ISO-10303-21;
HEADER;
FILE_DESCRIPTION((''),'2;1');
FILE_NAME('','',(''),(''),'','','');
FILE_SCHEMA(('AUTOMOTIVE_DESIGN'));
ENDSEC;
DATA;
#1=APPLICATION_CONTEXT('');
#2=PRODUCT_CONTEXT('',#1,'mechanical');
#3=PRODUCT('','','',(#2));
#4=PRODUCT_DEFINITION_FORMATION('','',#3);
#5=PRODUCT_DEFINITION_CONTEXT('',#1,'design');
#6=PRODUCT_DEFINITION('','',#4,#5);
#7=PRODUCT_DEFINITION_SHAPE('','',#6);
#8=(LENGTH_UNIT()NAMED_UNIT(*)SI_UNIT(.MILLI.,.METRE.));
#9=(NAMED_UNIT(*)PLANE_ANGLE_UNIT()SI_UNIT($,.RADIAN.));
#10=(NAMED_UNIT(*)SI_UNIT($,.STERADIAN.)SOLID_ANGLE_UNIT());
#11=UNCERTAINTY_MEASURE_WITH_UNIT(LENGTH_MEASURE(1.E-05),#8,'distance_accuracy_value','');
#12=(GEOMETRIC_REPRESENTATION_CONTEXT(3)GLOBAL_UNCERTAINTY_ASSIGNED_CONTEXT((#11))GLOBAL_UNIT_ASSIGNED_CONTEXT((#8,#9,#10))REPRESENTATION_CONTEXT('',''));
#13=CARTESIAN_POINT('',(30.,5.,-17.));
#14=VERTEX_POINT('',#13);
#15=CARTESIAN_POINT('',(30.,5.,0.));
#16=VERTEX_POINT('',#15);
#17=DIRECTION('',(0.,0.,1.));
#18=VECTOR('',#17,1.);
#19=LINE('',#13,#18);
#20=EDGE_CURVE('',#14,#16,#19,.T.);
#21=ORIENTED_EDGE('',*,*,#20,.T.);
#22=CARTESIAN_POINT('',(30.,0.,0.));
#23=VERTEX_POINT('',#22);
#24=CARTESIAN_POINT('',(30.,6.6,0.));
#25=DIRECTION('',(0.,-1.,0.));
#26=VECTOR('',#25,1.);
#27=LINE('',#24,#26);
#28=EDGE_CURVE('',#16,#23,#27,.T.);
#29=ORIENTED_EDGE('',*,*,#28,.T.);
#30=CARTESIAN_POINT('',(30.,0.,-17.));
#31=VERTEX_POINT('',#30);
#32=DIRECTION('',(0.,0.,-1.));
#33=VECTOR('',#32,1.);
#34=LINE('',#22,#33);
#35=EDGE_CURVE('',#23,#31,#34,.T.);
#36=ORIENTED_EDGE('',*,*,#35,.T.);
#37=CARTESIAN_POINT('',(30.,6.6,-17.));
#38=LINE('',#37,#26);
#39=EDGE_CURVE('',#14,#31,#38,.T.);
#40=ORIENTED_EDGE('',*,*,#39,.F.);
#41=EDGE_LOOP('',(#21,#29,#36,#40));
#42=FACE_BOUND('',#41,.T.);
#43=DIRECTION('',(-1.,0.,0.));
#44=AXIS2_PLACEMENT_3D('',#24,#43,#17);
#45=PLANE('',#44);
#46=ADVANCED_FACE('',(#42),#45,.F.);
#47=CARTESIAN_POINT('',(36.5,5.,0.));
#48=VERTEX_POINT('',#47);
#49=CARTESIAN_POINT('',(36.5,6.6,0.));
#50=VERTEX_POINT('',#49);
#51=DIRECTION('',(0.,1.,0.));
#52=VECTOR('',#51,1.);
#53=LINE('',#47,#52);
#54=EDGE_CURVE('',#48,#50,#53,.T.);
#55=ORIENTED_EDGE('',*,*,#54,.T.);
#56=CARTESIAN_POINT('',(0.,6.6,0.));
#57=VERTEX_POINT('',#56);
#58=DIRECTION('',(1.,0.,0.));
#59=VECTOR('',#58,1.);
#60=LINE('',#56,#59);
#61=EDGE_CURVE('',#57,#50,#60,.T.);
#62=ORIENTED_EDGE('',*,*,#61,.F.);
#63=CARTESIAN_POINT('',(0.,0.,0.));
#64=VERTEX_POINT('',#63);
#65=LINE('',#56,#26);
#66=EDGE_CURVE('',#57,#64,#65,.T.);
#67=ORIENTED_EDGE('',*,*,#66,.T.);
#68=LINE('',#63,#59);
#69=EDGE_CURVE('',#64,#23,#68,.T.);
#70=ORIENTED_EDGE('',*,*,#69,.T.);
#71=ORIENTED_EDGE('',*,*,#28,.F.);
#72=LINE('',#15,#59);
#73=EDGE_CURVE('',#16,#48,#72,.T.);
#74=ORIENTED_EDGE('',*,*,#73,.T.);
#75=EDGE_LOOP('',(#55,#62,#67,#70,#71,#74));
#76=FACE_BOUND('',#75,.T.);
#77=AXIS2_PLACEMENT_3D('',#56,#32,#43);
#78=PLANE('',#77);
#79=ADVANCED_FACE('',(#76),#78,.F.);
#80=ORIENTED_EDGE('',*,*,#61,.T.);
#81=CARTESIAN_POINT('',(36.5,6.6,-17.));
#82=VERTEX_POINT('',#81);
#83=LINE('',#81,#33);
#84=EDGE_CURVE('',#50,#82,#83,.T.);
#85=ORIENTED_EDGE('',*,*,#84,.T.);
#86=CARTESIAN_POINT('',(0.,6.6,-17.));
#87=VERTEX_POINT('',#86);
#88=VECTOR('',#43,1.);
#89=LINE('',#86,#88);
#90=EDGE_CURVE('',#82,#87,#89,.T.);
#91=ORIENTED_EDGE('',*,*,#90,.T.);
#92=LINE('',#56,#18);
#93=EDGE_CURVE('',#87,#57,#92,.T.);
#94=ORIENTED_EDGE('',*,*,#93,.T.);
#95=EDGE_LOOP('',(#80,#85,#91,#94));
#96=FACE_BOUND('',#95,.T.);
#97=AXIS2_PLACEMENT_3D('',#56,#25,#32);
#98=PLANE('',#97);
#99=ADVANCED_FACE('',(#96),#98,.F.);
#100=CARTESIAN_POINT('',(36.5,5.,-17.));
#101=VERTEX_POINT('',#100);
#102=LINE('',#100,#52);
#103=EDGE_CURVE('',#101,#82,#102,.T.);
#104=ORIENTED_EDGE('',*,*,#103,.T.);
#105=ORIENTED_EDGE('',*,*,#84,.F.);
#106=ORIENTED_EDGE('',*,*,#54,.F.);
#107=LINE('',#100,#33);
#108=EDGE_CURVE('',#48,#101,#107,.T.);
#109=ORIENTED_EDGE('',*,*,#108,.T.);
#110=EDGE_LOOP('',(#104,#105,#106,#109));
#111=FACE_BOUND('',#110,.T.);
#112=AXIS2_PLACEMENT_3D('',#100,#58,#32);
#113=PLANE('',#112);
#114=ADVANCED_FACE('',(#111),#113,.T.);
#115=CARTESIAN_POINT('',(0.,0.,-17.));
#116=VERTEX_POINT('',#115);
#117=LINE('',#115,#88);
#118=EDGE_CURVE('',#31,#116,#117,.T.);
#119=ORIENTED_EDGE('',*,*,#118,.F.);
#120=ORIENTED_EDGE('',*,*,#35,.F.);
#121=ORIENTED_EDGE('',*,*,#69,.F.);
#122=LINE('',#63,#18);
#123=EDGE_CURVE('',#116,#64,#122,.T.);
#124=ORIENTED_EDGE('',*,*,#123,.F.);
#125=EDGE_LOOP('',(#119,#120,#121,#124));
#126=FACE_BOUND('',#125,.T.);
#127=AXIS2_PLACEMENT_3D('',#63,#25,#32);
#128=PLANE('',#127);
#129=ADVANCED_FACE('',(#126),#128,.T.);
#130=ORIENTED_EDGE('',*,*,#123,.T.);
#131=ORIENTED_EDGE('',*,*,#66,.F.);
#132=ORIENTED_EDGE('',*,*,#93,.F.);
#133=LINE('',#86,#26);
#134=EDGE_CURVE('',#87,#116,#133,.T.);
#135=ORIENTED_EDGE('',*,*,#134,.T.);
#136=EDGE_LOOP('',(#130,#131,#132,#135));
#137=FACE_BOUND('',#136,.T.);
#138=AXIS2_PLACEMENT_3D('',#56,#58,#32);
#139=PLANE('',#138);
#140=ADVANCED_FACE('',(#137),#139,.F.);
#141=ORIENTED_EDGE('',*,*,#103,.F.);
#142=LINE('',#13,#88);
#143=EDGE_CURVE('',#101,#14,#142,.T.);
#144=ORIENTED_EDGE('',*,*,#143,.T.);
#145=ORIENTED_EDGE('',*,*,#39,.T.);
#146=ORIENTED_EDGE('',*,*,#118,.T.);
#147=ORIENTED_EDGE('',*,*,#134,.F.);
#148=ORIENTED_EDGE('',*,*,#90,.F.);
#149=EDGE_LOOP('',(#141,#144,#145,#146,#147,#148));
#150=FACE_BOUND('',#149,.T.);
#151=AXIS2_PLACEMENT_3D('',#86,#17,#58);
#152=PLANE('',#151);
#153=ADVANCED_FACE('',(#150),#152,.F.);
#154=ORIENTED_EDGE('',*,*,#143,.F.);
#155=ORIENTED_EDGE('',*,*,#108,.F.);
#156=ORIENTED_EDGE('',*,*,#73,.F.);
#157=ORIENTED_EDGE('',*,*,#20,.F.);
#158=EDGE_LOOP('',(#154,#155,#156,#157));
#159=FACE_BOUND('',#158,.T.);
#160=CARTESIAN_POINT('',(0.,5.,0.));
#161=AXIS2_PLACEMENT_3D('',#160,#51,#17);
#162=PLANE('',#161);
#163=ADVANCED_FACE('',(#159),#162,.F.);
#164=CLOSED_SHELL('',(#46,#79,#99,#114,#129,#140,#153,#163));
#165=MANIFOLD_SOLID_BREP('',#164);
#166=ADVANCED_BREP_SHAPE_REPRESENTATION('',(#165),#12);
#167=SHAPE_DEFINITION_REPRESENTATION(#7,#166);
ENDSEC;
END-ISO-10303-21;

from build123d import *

# Parameters (mm, degrees)
SKETCH1_W           = 30
SKETCH1_H           = 17
BOSS_EXTRUDE1_DEPTH = 6.6
SKETCH2_W           = 6.5
SKETCH2_H           = 17
BOSS_EXTRUDE2_DEPTH = 1.6


with BuildPart() as part:
    # Sketch1 → Boss-Extrude1 (new body)
    with BuildSketch(Plane(origin=(0, 0, 0), x_dir=(1, 0, 0), z_dir=(0, 1, 0))):
        with Locations((15, 8.5)):
            Rectangle(SKETCH1_W, SKETCH1_H)
    extrude(amount=BOSS_EXTRUDE1_DEPTH)

    # Sketch2 → Boss-Extrude2 (add)
    with BuildSketch(Plane(origin=(0, 6.6, 0), x_dir=(1, 0, 0), z_dir=(0, 1, 0))):
        with Locations((33.25, 8.5)):
            Rectangle(SKETCH2_W, SKETCH2_H)
    extrude(amount=-BOSS_EXTRUDE2_DEPTH)


solid = part.part
